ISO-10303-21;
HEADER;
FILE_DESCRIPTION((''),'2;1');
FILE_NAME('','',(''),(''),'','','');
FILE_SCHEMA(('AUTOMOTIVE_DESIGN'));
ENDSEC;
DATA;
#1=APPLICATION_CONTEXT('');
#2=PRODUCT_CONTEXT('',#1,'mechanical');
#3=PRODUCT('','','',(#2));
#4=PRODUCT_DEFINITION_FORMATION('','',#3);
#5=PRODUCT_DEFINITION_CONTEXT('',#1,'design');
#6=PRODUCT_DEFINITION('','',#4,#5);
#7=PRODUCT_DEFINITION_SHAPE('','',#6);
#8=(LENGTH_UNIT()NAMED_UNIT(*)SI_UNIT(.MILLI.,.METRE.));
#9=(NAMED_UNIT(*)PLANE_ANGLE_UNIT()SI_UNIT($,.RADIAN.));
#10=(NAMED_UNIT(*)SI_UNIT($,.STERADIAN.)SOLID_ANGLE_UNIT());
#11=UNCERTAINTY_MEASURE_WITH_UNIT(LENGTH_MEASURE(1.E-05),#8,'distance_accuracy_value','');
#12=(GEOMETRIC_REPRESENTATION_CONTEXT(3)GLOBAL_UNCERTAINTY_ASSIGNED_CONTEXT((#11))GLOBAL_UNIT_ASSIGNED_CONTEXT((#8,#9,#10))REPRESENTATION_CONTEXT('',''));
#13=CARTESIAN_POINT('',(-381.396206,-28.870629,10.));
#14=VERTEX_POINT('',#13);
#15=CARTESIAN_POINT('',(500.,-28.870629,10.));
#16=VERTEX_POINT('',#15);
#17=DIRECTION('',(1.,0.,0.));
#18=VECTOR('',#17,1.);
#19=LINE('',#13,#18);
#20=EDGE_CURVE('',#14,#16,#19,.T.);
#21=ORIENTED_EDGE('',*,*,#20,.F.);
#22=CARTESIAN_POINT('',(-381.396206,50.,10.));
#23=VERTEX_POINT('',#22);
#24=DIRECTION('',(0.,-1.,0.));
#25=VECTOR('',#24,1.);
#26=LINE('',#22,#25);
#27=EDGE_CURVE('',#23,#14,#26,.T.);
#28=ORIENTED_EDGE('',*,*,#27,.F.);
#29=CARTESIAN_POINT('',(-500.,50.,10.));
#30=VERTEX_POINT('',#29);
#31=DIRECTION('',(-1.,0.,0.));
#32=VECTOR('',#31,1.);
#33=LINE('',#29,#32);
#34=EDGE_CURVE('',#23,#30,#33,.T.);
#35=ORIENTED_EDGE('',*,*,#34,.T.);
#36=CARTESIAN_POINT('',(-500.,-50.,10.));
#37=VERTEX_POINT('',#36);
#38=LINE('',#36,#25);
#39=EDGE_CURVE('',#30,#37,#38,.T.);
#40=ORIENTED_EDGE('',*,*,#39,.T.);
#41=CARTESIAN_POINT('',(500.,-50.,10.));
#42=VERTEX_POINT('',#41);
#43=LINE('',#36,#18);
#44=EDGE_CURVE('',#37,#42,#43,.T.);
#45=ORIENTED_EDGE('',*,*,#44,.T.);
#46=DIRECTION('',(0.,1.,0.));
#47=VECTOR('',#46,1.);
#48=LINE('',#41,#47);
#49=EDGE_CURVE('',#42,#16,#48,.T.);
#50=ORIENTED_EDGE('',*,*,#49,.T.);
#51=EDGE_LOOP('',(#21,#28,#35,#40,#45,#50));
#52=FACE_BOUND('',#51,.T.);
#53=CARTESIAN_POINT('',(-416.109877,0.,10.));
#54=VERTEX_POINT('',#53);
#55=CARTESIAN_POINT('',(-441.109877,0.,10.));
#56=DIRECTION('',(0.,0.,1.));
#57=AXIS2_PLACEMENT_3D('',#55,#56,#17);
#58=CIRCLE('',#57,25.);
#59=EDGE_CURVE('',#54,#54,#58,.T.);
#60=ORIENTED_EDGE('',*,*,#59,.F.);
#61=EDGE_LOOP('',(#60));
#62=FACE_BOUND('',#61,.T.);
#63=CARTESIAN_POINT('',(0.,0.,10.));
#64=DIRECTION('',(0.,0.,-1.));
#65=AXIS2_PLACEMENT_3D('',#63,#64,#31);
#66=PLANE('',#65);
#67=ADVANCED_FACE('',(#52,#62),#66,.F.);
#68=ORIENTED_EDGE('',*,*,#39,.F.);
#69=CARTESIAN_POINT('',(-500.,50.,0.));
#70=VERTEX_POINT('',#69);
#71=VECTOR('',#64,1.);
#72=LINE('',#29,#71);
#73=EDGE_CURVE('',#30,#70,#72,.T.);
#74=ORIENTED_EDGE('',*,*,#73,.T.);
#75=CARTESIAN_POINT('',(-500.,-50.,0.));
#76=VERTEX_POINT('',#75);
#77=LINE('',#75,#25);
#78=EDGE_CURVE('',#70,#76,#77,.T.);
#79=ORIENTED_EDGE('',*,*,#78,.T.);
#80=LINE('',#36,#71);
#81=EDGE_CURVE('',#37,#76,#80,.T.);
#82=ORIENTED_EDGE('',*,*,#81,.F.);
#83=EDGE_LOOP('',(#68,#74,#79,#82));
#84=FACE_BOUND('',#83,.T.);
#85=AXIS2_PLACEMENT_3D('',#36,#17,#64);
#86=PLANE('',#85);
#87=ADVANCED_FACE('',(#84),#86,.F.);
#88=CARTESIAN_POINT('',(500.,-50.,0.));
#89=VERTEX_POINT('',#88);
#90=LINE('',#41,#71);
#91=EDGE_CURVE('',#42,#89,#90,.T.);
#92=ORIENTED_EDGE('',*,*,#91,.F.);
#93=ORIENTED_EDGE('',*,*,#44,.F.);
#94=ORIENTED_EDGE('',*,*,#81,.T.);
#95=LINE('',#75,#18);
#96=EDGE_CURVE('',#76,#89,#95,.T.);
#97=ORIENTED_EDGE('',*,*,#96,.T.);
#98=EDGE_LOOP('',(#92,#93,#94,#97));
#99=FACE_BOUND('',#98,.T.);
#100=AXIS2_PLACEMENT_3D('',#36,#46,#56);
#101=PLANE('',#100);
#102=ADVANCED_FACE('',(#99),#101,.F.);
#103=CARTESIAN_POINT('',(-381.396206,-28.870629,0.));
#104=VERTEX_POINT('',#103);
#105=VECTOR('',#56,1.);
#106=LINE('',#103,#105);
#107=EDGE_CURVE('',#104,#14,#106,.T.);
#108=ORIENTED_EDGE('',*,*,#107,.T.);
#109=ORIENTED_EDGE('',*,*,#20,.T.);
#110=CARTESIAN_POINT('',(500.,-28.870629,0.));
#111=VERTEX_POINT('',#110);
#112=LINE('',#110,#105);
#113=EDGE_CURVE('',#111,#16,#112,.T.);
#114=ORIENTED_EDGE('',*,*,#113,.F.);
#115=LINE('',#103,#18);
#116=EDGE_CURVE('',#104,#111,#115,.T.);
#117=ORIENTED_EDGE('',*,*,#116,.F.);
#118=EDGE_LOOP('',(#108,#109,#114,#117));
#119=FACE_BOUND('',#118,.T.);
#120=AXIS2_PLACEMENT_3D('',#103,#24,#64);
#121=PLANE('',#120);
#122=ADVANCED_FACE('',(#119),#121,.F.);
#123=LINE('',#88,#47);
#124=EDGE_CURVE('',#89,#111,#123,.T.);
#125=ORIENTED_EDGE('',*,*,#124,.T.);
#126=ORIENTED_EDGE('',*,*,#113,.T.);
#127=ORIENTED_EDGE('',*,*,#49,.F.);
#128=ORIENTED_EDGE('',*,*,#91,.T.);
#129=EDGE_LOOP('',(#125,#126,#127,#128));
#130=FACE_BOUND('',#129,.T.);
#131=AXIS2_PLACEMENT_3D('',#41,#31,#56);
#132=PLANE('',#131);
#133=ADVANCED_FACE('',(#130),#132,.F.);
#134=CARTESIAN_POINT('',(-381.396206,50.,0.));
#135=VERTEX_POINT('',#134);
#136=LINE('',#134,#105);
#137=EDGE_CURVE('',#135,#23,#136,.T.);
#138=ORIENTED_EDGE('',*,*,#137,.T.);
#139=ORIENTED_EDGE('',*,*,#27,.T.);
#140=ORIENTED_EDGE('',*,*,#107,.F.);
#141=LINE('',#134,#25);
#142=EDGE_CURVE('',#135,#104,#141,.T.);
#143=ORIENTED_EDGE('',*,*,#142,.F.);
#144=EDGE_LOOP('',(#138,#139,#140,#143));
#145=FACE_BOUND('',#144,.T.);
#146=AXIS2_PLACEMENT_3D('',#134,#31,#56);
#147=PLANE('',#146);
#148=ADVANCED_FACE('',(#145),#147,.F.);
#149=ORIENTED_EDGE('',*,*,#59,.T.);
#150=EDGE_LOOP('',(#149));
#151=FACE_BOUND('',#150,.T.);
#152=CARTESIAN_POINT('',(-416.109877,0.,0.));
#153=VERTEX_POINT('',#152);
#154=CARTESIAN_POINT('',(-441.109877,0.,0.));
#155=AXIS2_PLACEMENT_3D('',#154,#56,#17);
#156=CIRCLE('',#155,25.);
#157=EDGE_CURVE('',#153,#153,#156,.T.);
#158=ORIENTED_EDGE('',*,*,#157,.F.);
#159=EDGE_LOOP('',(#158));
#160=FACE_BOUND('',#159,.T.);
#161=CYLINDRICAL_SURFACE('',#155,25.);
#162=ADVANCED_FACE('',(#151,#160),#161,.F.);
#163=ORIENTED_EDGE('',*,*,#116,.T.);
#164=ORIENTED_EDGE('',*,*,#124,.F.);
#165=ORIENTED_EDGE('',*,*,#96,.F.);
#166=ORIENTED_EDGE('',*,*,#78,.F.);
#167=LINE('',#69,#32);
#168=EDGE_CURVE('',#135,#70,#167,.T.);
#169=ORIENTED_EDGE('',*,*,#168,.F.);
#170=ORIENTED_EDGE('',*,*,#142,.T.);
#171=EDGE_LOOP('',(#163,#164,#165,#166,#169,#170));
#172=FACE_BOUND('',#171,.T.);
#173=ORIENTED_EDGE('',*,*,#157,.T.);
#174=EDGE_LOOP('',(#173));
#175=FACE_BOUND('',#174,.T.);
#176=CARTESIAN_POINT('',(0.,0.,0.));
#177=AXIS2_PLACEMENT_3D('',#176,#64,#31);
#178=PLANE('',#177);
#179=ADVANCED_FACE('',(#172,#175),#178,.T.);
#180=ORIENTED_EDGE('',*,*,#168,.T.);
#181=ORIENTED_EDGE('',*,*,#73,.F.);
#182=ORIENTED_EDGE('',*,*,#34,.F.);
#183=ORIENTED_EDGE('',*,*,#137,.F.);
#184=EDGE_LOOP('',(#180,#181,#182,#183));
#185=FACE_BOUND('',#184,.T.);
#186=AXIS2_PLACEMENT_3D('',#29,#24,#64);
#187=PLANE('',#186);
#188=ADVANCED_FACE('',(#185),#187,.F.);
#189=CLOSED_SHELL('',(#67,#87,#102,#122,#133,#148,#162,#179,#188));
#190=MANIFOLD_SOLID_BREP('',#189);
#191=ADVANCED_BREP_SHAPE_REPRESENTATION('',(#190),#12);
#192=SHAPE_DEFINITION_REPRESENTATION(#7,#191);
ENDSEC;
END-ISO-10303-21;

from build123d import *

# Parameters (mm, degrees)
SKETCH1_W           = 1000
SKETCH1_H           = 100
BOSS_EXTRUDE1_DEPTH = 10
SKETCH2_R           = 25
CUT_EXTRUDE1_DEPTH  = 10
SKETCH3_W           = 881.396206235
SKETCH3_H           = 78.870629157
CUT_EXTRUDE2_DEPTH  = 10


with BuildPart() as part:
    # Sketch1 → Boss-Extrude1 (new body)
    with BuildSketch(Plane.XY):
        Rectangle(SKETCH1_W, SKETCH1_H)
    extrude(amount=BOSS_EXTRUDE1_DEPTH)

    # Sketch2 → Cut-Extrude1 (cut)
    with BuildSketch(Plane.XY.offset(10)):
        with Locations((-441.109876755, 0)):
            Circle(SKETCH2_R)
    extrude(amount=-CUT_EXTRUDE1_DEPTH, mode=Mode.SUBTRACT)

    # Sketch3 → Cut-Extrude2 (cut)
    with BuildSketch(Plane.XY.offset(10)):
        with Locations((59.301896883, 10.564685421)):
            Rectangle(SKETCH3_W, SKETCH3_H)
    extrude(amount=-CUT_EXTRUDE2_DEPTH, mode=Mode.SUBTRACT)


solid = part.part
